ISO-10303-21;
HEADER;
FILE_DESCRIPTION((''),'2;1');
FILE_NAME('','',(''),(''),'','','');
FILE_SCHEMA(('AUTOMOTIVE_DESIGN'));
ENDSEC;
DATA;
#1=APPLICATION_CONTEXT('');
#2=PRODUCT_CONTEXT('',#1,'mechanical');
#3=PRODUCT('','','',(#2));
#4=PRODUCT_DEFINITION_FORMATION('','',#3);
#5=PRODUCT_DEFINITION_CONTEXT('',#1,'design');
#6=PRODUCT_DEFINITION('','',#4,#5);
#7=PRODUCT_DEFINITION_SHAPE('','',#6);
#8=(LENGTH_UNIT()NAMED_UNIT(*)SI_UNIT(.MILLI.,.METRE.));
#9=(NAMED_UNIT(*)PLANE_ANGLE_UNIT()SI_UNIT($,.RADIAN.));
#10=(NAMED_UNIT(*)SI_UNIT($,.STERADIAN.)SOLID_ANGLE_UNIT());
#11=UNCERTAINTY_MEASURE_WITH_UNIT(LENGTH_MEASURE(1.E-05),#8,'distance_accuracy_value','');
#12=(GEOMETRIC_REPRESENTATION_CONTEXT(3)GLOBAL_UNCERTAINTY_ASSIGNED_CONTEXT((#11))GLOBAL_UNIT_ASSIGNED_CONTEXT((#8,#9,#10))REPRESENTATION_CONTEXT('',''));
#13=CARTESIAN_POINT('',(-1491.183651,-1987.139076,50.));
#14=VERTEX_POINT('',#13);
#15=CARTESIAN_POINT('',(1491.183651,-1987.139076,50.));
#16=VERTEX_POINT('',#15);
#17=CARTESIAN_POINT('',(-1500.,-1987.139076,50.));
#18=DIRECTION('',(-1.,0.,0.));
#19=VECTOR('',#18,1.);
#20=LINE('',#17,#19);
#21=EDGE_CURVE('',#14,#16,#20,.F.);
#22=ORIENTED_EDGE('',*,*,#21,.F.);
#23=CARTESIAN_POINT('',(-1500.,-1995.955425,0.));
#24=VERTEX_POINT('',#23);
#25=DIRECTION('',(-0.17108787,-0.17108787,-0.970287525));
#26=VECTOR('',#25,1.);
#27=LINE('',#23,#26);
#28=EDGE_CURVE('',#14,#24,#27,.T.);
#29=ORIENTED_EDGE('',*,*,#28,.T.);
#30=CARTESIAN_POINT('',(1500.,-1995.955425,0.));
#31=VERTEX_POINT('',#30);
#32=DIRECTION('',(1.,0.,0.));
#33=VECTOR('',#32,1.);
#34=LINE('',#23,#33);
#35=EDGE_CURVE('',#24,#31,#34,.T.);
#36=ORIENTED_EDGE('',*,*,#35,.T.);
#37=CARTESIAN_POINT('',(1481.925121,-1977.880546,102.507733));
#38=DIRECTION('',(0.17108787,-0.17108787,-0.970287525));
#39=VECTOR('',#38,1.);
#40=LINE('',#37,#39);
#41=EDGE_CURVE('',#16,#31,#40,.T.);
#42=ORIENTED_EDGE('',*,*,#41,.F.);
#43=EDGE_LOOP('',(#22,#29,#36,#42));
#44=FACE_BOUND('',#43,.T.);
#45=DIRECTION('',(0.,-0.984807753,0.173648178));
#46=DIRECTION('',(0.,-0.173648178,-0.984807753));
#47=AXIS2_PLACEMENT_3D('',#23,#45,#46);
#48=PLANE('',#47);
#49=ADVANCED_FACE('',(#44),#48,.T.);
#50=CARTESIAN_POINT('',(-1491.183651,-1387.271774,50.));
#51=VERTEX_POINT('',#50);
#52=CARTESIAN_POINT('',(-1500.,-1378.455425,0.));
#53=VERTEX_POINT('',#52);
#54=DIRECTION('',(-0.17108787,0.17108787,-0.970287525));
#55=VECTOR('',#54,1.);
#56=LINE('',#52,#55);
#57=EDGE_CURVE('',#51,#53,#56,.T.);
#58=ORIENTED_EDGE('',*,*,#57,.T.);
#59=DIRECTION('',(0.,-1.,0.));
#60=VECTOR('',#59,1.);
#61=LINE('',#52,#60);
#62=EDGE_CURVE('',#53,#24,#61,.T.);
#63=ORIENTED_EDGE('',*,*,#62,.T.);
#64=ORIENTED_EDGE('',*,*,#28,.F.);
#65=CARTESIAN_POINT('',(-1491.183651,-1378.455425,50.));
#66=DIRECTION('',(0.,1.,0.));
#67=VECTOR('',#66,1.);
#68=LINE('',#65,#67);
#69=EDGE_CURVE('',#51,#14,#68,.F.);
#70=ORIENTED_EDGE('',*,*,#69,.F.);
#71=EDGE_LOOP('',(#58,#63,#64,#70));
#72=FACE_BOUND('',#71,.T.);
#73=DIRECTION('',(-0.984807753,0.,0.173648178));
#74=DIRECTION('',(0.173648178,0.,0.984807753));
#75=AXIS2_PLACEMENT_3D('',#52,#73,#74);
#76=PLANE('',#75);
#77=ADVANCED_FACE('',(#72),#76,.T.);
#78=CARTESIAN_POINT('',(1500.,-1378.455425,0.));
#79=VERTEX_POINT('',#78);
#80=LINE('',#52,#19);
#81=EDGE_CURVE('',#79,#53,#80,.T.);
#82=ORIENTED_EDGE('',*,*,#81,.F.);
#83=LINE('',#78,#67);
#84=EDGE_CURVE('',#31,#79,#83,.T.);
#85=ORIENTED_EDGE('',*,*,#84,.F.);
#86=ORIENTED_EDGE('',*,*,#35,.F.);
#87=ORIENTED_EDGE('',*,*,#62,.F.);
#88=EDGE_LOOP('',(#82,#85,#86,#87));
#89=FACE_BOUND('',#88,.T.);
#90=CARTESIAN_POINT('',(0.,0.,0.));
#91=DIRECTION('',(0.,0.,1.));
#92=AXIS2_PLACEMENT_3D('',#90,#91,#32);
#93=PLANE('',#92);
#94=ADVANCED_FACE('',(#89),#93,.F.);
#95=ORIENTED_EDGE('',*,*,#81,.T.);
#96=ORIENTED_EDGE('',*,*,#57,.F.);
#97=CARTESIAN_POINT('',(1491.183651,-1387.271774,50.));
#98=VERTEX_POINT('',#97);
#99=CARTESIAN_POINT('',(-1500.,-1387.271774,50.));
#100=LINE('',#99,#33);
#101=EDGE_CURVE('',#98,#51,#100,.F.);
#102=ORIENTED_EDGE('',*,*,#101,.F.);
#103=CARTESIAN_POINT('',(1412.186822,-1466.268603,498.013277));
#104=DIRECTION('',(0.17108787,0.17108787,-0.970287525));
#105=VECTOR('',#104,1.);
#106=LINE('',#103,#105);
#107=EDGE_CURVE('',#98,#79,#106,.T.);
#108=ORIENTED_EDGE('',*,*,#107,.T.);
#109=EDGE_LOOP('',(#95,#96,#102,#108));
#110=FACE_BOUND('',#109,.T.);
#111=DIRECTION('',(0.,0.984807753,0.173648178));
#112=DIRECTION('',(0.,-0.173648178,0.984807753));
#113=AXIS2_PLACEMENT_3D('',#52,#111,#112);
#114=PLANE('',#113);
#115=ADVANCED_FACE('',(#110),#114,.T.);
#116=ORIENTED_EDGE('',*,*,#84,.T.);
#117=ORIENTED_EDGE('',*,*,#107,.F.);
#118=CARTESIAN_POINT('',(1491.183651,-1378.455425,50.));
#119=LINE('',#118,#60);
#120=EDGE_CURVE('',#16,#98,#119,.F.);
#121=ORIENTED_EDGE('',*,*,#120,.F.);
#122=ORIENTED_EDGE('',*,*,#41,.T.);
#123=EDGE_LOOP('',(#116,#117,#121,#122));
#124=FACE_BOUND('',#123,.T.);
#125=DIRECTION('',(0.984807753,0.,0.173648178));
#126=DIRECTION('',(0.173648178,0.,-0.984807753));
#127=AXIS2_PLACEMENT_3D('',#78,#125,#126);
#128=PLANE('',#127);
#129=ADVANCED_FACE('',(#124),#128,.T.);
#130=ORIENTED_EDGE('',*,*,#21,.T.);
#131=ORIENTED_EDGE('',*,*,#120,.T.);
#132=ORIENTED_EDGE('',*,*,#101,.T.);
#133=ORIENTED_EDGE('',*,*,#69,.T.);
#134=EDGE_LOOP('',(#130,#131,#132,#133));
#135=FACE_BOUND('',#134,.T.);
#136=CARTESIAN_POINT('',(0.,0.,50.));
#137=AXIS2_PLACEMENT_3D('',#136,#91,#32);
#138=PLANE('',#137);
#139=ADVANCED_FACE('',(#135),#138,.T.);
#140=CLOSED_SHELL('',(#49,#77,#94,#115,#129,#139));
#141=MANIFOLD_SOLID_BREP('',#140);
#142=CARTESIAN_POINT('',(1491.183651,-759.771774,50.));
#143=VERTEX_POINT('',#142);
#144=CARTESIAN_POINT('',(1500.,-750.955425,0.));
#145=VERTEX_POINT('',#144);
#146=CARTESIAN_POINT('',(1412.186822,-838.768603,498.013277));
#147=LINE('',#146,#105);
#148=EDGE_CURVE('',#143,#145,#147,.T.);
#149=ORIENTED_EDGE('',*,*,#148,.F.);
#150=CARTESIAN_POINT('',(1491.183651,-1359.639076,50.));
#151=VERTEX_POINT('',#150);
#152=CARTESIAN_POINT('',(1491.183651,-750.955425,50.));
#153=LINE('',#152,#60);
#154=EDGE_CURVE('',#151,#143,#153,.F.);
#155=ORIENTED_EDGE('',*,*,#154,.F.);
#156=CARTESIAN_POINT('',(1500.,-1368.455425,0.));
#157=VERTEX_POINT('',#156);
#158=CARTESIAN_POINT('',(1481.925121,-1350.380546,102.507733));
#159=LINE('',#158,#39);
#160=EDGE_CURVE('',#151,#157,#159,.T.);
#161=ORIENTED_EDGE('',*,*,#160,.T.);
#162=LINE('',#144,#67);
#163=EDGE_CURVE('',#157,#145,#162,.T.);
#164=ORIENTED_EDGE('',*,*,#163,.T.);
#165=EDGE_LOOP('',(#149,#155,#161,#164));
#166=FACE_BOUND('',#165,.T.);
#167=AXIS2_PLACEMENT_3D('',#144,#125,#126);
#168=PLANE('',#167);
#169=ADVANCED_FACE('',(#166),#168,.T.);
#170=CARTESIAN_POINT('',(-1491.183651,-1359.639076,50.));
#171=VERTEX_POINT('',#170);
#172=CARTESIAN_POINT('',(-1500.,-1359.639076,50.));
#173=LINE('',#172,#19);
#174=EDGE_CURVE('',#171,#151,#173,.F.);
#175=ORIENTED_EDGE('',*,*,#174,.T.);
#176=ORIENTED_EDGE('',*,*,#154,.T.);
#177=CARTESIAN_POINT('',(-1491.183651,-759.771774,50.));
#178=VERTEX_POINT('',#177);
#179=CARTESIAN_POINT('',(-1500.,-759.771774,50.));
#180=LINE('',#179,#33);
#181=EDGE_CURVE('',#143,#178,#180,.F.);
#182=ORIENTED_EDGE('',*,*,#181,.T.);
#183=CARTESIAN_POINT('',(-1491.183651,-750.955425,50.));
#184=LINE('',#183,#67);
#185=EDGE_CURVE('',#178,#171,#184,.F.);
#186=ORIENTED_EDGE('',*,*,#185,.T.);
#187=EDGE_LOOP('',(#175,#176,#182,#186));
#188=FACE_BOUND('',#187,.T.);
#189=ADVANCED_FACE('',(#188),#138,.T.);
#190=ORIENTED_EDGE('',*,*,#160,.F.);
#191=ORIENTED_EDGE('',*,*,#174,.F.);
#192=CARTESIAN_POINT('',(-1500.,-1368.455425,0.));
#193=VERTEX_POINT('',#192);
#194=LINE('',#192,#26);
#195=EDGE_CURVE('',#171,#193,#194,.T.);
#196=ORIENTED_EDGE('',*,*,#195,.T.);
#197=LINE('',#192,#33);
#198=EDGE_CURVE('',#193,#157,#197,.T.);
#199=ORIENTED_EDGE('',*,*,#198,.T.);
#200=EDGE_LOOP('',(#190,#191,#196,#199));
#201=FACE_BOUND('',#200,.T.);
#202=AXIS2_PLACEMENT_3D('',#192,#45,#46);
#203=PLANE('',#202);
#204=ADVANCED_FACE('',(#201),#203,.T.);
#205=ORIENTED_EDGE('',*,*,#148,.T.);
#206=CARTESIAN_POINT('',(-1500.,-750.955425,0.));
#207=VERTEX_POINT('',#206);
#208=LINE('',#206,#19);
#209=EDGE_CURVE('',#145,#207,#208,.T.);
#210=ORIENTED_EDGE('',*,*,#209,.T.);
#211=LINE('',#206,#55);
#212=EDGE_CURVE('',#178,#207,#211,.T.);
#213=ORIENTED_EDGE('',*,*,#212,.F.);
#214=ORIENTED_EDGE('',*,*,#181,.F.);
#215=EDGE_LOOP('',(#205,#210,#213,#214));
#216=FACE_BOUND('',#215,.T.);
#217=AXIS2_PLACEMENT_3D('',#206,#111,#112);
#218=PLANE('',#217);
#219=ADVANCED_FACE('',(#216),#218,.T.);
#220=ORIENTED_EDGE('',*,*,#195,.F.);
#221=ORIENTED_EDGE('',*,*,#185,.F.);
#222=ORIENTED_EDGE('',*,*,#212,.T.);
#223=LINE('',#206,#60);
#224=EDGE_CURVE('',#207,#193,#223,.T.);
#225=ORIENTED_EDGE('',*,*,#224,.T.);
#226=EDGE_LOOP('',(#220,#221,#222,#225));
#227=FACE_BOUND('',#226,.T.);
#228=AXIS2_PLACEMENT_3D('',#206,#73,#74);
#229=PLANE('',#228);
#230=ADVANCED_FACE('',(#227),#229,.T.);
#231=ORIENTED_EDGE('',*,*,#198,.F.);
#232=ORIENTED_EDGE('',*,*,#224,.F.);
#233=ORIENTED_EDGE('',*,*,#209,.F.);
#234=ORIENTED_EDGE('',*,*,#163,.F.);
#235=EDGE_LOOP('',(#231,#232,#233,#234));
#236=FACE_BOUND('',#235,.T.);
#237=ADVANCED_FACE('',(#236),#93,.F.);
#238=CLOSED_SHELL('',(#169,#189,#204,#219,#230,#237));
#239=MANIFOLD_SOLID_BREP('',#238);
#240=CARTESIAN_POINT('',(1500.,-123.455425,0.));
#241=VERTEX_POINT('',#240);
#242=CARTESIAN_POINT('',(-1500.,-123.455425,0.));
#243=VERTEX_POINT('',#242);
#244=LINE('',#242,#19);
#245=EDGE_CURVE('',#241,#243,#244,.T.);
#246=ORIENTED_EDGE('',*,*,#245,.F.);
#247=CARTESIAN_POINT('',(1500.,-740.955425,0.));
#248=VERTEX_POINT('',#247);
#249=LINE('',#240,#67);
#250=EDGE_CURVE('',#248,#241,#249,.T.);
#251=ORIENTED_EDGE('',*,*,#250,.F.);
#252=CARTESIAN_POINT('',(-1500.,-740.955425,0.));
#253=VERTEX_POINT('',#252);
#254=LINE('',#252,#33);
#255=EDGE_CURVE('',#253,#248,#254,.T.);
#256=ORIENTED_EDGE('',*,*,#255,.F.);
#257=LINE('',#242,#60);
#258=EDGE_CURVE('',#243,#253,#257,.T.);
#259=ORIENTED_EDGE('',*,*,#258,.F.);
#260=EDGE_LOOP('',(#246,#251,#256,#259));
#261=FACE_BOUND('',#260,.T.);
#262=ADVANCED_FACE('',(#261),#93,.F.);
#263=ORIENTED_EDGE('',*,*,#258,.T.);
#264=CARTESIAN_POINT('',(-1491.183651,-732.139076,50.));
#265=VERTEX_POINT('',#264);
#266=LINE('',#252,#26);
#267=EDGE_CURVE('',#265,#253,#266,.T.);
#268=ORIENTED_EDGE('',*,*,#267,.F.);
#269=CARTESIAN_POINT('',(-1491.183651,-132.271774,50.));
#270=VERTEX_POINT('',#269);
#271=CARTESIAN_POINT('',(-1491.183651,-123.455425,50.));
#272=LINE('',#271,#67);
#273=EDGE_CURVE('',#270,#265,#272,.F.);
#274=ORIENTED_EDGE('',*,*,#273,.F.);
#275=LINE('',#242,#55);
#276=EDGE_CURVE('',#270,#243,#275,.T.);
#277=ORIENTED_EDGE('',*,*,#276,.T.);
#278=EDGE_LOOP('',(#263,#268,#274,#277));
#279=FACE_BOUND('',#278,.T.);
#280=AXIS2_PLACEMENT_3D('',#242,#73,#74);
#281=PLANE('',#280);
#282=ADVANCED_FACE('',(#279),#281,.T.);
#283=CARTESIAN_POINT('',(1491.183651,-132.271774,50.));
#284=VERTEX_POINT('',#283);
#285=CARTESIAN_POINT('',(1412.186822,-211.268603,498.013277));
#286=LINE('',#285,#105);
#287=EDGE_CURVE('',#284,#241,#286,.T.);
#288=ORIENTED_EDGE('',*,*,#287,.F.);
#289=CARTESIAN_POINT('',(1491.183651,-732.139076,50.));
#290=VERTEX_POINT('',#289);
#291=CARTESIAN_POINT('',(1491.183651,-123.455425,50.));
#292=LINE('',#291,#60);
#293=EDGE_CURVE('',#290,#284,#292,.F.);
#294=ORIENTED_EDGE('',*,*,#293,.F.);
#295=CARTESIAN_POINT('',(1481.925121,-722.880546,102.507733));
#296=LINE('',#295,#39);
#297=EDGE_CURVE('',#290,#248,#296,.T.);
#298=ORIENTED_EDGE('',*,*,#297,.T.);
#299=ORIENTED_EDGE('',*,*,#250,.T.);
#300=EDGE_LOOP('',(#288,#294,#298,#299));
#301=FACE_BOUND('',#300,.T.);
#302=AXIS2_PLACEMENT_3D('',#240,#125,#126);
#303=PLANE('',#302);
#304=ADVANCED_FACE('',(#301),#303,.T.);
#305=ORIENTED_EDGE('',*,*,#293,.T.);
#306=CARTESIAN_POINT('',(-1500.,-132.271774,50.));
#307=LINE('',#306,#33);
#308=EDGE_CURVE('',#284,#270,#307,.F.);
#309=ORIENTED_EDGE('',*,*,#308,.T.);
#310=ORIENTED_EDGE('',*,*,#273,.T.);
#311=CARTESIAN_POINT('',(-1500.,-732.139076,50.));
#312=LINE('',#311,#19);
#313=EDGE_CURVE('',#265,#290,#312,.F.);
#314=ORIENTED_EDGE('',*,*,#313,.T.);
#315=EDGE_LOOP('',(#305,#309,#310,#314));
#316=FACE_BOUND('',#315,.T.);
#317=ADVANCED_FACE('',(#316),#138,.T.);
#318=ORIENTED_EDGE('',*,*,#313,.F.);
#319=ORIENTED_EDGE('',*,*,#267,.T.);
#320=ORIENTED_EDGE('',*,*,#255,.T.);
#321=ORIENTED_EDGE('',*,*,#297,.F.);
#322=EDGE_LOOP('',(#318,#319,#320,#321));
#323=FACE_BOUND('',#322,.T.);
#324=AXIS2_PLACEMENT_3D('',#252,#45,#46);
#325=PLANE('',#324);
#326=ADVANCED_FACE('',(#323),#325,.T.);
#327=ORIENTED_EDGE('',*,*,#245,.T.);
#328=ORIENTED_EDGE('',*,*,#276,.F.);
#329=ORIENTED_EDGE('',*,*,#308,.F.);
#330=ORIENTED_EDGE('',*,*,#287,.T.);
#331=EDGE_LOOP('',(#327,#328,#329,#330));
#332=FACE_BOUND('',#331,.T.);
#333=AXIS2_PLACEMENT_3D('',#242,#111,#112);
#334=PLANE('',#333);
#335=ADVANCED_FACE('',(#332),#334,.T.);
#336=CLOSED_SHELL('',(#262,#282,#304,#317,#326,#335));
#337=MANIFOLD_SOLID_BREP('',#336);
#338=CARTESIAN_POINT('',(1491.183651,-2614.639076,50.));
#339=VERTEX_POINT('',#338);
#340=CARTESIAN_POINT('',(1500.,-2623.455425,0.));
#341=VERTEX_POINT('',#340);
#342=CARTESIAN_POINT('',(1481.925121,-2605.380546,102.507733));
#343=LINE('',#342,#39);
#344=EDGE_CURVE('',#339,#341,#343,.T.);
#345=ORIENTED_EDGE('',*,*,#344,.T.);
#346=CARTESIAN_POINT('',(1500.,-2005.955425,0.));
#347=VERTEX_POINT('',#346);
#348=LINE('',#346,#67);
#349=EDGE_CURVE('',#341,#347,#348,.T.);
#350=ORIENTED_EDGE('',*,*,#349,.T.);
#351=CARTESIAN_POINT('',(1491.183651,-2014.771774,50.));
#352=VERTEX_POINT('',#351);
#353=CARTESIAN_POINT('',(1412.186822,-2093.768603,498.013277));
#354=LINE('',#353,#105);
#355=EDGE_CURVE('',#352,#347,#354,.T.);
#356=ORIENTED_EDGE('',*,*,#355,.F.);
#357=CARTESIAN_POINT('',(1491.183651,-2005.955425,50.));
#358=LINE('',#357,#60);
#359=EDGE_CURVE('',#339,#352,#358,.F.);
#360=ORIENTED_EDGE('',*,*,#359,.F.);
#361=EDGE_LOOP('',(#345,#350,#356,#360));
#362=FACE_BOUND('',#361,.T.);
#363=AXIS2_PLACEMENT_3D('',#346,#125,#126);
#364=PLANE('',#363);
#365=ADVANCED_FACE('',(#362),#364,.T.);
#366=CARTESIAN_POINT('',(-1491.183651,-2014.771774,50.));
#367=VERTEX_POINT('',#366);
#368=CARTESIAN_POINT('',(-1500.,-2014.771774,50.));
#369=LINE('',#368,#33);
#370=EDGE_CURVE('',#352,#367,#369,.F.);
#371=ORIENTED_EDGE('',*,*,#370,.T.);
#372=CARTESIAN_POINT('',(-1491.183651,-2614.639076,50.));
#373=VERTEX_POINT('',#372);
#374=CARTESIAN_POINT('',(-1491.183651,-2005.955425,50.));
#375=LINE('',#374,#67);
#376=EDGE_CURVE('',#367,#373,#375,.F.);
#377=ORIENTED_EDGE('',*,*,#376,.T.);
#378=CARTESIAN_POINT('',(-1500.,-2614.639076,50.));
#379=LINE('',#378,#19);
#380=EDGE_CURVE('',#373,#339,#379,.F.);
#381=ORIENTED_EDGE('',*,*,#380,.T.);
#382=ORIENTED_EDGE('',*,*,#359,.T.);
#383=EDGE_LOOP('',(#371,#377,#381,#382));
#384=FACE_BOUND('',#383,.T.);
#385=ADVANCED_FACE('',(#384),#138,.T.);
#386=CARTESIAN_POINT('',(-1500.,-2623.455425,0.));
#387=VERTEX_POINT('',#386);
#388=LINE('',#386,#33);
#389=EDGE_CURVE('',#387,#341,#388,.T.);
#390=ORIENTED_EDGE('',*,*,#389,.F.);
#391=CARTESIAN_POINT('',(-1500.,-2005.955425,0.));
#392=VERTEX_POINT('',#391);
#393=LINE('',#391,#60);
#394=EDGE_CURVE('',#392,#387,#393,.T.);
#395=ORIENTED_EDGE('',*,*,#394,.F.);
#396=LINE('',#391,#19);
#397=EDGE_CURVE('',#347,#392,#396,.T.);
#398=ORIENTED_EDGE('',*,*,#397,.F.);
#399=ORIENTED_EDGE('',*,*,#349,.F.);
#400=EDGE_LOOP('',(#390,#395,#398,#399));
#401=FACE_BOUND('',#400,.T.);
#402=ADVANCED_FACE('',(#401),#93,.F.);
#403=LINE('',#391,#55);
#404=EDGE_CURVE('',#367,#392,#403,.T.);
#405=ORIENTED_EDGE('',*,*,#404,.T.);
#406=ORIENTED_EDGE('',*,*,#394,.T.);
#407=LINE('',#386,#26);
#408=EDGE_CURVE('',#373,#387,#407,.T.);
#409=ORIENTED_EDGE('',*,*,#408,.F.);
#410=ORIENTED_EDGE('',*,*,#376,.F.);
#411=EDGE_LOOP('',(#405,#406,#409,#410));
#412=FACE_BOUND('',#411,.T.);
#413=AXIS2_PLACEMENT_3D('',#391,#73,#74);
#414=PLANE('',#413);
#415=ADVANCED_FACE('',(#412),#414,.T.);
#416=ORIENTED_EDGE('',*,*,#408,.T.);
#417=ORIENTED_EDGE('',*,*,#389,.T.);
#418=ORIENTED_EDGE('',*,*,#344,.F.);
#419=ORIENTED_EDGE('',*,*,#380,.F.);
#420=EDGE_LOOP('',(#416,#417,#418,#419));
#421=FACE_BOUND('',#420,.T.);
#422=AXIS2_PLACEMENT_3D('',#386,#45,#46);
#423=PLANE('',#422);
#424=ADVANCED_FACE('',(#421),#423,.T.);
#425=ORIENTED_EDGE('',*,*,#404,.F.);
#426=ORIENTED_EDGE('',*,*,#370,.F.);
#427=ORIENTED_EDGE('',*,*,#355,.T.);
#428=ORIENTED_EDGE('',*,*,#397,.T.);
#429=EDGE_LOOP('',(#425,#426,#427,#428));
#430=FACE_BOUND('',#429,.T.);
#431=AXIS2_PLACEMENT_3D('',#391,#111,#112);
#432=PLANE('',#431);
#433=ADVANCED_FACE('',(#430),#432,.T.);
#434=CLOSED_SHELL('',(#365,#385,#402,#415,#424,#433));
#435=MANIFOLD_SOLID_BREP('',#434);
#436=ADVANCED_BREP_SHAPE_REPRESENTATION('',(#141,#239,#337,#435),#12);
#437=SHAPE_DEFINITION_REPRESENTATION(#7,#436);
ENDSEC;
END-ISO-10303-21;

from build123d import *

# Parameters (mm, degrees)
SKETCH_1_W                = 3000
SKETCH_1_H                = 617.5
EXTRUDE_1_DEPTH           = 50
EXTRUDE_1_DRAFT           = 10
EXTRUDE_1_PROFILE_2_DEPTH = 50
EXTRUDE_1_PROFILE_2_DRAFT = 10
EXTRUDE_1_PROFILE_3_DEPTH = 50
EXTRUDE_1_PROFILE_3_DRAFT = 10
EXTRUDE_1_PROFILE_4_DEPTH = 50
EXTRUDE_1_PROFILE_4_DRAFT = 10


with BuildPart() as part:
    # Эскиз1 → Бобышка-Вытянуть1 (with draft: the straight prism first)
    with BuildSketch(Plane.XY):
        with Locations((0, -432.20542544)):
            Rectangle(SKETCH_1_W, SKETCH_1_H)
    extrude(amount=EXTRUDE_1_DEPTH)
    # Бобышка-Вытянуть1: the draft: its side faces are tilted about the plane it starts from
    extrude_1_sides = [part.faces().sort_by_distance(p)[0] for p in [
        (-1500, -432.20542544, 25),
        (0, -740.95542544, 25),
        (1500, -432.20542544, 25),
        (0, -123.45542544, 25),
    ]]
    draft(extrude_1_sides, Plane.XY, EXTRUDE_1_DRAFT)


with BuildPart() as body_2:
    # Эскиз1 → Бобышка-Вытянуть1 profile 2 (with draft: the straight prism first)
    with BuildSketch(Plane.XY):
        with Locations((0, -1059.70542544)):
            Rectangle(SKETCH_1_W, SKETCH_1_H)
    extrude(amount=EXTRUDE_1_PROFILE_2_DEPTH)
    # Бобышка-Вытянуть1 profile 2: the draft: its side faces are tilted about the plane it starts from
    extrude_1_profile_2_sides = [body_2.faces().sort_by_distance(p)[0] for p in [
        (-1500, -1059.70542544, 25),
        (0, -1368.45542544, 25),
        (1500, -1059.70542544, 25),
        (0, -750.95542544, 25),
    ]]
    draft(extrude_1_profile_2_sides, Plane.XY, EXTRUDE_1_PROFILE_2_DRAFT)


with BuildPart() as body_3:
    # Эскиз1 → Бобышка-Вытянуть1 profile 3 (with draft: the straight prism first)
    with BuildSketch(Plane.XY):
        with Locations((0, -1687.20542544)):
            Rectangle(SKETCH_1_W, SKETCH_1_H)
    extrude(amount=EXTRUDE_1_PROFILE_3_DEPTH)
    # Бобышка-Вытянуть1 profile 3: the draft: its side faces are tilted about the plane it starts from
    extrude_1_profile_3_sides = [body_3.faces().sort_by_distance(p)[0] for p in [
        (-1500, -1687.20542544, 25),
        (0, -1995.95542544, 25),
        (1500, -1687.20542544, 25),
        (0, -1378.45542544, 25),
    ]]
    draft(extrude_1_profile_3_sides, Plane.XY, EXTRUDE_1_PROFILE_3_DRAFT)


with BuildPart() as body_4:
    # Эскиз1 → Бобышка-Вытянуть1 profile 4 (with draft: the straight prism first)
    with BuildSketch(Plane.XY):
        with Locations((0, -2314.70542544)):
            Rectangle(SKETCH_1_W, SKETCH_1_H)
    extrude(amount=EXTRUDE_1_PROFILE_4_DEPTH)
    # Бобышка-Вытянуть1 profile 4: the draft: its side faces are tilted about the plane it starts from
    extrude_1_profile_4_sides = [body_4.faces().sort_by_distance(p)[0] for p in [
        (-1500, -2314.70542544, 25),
        (0, -2623.45542544, 25),
        (1500, -2314.70542544, 25),
        (0, -2005.95542544, 25),
    ]]
    draft(extrude_1_profile_4_sides, Plane.XY, EXTRUDE_1_PROFILE_4_DRAFT)


solid = Compound([part.part, body_2.part, body_3.part, body_4.part])
